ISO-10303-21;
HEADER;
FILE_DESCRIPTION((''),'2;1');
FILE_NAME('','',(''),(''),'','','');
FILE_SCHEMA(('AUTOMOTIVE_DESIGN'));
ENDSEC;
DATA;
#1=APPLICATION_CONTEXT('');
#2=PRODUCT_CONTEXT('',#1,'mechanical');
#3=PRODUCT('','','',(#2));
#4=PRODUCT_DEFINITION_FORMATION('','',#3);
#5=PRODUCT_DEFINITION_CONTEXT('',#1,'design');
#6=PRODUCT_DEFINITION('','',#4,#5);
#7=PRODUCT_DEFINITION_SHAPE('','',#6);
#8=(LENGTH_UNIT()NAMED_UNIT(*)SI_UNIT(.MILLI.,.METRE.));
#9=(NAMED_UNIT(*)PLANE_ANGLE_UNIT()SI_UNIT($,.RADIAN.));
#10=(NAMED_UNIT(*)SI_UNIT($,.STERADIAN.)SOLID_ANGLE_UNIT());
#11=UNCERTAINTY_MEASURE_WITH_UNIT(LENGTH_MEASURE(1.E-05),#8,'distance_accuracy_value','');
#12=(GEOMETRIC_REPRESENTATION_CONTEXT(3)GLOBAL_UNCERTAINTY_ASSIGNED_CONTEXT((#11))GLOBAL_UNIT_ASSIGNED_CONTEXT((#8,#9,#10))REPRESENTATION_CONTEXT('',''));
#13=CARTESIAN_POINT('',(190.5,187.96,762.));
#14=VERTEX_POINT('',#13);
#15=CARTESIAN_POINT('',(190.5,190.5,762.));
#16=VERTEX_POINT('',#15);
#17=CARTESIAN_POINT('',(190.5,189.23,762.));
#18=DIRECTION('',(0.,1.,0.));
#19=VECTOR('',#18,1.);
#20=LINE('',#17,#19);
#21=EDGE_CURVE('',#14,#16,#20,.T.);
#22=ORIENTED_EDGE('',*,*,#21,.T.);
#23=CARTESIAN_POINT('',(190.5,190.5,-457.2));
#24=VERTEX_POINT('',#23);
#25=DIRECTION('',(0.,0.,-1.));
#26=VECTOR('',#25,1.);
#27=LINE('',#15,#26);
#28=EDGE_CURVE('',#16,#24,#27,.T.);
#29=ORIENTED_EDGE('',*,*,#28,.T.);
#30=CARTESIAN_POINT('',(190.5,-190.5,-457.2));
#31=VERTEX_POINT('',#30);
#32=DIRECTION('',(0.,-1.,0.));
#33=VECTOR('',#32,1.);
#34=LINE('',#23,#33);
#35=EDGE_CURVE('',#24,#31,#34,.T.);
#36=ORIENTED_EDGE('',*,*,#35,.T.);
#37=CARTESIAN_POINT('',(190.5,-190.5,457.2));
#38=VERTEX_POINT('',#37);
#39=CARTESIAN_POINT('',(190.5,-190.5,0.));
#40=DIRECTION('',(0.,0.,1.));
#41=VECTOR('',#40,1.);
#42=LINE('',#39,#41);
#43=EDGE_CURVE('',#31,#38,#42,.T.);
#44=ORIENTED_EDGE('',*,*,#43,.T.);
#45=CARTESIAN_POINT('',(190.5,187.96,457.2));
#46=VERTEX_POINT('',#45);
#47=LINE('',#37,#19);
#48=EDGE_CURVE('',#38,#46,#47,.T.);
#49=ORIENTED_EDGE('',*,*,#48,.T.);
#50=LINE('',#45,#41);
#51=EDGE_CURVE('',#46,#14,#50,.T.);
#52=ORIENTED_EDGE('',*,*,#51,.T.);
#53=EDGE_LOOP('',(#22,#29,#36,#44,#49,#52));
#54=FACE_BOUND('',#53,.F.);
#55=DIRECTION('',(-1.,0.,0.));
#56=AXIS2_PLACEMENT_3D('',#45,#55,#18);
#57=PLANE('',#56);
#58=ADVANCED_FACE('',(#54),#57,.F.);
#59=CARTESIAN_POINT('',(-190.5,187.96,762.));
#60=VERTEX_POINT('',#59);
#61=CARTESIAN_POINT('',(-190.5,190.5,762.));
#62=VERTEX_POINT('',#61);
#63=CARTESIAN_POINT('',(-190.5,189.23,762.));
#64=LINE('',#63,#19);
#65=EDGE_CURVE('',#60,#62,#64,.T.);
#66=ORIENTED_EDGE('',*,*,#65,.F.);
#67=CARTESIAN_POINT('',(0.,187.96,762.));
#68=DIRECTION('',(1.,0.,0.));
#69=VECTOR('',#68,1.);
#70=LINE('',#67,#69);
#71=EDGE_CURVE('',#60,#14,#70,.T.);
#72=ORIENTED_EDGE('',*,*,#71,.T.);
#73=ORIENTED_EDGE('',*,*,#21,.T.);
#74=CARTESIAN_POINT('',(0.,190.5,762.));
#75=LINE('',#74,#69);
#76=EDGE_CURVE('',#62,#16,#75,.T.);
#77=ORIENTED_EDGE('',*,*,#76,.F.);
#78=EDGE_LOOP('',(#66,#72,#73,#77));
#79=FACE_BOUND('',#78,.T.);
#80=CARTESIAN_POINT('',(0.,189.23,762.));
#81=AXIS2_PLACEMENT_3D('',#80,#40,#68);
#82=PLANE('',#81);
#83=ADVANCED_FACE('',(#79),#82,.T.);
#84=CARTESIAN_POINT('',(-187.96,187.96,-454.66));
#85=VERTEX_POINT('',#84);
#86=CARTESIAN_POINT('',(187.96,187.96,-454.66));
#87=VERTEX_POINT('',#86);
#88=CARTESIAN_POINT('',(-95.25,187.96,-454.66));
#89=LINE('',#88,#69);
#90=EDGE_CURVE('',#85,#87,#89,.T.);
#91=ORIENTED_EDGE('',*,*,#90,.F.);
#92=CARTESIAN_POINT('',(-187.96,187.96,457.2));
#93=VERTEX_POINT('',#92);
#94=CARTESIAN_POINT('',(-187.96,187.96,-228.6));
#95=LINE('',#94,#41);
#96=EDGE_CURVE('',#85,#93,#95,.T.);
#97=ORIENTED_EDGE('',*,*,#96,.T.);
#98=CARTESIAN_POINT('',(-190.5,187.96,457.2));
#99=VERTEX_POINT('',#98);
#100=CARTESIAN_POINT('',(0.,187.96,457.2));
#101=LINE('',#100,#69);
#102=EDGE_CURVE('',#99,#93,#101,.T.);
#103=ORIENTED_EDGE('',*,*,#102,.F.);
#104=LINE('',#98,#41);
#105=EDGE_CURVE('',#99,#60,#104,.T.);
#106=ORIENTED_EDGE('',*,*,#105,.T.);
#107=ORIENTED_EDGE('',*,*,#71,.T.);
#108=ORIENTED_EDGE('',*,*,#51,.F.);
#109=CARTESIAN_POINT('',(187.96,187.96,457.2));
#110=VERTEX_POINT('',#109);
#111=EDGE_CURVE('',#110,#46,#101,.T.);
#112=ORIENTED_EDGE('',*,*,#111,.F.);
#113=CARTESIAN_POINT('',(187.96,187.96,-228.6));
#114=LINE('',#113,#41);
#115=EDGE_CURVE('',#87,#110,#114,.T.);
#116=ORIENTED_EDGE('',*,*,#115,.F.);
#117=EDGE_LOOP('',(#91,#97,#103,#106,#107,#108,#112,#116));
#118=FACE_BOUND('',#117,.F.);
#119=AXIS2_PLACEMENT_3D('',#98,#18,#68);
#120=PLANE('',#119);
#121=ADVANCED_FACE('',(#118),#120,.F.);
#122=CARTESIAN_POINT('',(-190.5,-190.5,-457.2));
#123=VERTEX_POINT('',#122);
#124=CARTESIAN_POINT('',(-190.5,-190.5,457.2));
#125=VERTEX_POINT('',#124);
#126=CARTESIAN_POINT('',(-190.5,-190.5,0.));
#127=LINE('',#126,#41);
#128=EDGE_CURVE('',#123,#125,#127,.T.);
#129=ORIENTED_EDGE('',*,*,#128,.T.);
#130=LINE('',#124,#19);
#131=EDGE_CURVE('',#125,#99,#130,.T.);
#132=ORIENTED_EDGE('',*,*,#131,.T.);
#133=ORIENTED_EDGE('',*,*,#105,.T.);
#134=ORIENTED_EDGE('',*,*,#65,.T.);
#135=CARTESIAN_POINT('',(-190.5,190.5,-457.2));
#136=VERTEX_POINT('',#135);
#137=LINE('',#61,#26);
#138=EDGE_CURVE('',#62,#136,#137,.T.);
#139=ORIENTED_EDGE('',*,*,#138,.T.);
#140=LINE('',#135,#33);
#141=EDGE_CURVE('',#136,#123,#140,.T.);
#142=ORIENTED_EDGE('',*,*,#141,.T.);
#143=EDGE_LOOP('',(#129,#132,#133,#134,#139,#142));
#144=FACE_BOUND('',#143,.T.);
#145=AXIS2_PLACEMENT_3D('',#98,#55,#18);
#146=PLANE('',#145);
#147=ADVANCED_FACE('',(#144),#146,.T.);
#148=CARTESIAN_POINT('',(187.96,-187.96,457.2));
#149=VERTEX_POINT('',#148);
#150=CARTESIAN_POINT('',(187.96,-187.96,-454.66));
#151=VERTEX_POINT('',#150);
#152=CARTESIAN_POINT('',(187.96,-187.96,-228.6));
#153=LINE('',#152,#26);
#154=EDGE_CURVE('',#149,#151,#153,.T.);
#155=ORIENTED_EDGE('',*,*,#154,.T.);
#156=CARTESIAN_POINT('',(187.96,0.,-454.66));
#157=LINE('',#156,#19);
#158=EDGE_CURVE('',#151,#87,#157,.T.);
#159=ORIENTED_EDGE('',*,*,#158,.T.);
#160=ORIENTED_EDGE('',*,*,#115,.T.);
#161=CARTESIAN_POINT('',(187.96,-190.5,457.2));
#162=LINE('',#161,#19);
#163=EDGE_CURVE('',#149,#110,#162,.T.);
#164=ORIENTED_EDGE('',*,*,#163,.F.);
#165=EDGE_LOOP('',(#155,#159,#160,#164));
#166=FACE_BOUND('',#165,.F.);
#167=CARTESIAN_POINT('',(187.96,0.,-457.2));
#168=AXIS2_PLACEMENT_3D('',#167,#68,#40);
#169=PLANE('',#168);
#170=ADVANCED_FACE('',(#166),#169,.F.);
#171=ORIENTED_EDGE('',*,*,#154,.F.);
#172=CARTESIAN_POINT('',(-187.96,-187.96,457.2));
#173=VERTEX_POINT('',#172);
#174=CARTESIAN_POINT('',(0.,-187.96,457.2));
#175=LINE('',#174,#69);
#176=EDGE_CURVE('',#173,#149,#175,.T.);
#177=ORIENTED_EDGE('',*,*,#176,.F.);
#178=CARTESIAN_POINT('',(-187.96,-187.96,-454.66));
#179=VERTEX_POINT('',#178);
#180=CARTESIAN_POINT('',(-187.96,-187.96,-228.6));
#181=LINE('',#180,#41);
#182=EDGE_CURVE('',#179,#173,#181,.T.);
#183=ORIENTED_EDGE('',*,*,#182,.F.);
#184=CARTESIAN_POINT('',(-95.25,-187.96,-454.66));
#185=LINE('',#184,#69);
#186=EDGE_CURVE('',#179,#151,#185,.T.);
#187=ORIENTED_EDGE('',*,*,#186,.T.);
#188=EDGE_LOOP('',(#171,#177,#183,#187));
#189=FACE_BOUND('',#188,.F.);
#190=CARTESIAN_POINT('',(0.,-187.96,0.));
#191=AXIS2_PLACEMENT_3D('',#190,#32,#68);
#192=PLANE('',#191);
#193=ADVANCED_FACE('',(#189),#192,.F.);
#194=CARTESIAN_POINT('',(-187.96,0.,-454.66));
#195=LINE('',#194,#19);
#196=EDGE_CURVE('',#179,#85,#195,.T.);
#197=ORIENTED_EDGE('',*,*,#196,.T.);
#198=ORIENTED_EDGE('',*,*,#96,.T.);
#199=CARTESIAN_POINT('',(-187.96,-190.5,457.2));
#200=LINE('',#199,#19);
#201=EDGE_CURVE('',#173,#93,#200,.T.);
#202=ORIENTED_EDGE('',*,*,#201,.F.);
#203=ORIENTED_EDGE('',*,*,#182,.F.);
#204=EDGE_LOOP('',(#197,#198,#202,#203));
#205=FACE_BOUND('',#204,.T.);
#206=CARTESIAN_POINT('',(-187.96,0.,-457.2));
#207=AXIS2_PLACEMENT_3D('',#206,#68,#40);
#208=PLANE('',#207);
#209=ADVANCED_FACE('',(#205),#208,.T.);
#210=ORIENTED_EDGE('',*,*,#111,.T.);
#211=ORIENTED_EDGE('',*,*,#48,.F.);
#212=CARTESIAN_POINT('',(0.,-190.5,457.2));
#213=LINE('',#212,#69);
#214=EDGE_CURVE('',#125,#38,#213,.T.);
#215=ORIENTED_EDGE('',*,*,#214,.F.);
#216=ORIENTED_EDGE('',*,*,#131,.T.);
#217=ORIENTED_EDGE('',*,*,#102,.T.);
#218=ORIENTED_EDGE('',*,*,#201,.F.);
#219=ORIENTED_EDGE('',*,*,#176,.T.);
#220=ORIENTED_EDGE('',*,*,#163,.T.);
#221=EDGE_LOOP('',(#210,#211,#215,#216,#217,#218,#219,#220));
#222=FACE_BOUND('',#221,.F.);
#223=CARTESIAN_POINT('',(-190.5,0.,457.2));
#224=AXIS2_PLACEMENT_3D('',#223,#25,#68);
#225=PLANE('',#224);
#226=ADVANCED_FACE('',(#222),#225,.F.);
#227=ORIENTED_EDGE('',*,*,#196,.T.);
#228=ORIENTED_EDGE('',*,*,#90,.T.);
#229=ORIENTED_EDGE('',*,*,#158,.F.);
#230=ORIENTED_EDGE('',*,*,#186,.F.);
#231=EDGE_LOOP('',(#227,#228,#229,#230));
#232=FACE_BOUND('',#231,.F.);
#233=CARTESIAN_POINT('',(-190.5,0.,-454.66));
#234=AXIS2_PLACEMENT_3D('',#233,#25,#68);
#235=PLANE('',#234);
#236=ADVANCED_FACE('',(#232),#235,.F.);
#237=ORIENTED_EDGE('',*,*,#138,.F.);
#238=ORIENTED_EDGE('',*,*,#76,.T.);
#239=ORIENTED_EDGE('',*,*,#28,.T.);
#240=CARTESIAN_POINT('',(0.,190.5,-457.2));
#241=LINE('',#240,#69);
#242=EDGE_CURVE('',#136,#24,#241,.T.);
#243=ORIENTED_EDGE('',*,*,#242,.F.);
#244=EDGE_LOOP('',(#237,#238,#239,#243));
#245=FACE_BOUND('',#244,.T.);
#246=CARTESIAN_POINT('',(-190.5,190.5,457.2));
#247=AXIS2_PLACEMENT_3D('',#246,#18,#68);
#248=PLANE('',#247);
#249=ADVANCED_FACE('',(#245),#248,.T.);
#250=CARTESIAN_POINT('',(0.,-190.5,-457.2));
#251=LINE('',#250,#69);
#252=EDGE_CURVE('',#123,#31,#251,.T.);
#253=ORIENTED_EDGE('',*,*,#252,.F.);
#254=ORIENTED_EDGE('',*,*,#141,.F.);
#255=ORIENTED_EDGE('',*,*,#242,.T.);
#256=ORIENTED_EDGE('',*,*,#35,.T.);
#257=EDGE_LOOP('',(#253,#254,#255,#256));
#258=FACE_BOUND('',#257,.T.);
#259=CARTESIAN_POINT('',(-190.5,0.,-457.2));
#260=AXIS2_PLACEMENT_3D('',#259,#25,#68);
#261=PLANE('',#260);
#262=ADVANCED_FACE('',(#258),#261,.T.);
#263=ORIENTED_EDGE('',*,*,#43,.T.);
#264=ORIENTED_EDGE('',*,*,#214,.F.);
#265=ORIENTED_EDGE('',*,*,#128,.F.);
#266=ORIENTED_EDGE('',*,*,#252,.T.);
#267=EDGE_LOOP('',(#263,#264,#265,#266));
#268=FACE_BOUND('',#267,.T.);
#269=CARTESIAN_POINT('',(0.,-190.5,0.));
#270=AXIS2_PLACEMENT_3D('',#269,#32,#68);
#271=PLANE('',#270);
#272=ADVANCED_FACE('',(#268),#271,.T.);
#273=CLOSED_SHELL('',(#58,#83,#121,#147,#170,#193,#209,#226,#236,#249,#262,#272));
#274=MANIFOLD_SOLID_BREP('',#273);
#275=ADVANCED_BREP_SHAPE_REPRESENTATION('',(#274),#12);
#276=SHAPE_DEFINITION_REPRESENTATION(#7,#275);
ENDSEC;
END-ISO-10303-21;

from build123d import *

# Parameters (mm, degrees)
F0_W     = 381
F0_H     = 914.4
F1_DEPTH = 190.5
F2_T     = -2.54
F3_W     = 381
F3_H     = 2.54
F4_DEPTH = 304.8


with BuildPart() as f1:
    # F0 (on Front) → F1 (new body, symmetric)
    with BuildSketch(Plane.XZ):
        Rectangle(F0_W, F0_H)
    extrude(amount=F1_DEPTH, both=True)

    # F2
    f2_openings = [f1.faces().sort_by_distance(p)[0] for p in [
        (0, 0, 457.2),
    ]]
    offset(amount=F2_T, openings=f2_openings)

    # F3 (on face) → F4 (join)
    with BuildSketch(Plane.XY.offset(457.2)):
        with Locations((0, 189.23)):
            Rectangle(F3_W, F3_H)
    extrude(amount=F4_DEPTH)


solid = f1.part
